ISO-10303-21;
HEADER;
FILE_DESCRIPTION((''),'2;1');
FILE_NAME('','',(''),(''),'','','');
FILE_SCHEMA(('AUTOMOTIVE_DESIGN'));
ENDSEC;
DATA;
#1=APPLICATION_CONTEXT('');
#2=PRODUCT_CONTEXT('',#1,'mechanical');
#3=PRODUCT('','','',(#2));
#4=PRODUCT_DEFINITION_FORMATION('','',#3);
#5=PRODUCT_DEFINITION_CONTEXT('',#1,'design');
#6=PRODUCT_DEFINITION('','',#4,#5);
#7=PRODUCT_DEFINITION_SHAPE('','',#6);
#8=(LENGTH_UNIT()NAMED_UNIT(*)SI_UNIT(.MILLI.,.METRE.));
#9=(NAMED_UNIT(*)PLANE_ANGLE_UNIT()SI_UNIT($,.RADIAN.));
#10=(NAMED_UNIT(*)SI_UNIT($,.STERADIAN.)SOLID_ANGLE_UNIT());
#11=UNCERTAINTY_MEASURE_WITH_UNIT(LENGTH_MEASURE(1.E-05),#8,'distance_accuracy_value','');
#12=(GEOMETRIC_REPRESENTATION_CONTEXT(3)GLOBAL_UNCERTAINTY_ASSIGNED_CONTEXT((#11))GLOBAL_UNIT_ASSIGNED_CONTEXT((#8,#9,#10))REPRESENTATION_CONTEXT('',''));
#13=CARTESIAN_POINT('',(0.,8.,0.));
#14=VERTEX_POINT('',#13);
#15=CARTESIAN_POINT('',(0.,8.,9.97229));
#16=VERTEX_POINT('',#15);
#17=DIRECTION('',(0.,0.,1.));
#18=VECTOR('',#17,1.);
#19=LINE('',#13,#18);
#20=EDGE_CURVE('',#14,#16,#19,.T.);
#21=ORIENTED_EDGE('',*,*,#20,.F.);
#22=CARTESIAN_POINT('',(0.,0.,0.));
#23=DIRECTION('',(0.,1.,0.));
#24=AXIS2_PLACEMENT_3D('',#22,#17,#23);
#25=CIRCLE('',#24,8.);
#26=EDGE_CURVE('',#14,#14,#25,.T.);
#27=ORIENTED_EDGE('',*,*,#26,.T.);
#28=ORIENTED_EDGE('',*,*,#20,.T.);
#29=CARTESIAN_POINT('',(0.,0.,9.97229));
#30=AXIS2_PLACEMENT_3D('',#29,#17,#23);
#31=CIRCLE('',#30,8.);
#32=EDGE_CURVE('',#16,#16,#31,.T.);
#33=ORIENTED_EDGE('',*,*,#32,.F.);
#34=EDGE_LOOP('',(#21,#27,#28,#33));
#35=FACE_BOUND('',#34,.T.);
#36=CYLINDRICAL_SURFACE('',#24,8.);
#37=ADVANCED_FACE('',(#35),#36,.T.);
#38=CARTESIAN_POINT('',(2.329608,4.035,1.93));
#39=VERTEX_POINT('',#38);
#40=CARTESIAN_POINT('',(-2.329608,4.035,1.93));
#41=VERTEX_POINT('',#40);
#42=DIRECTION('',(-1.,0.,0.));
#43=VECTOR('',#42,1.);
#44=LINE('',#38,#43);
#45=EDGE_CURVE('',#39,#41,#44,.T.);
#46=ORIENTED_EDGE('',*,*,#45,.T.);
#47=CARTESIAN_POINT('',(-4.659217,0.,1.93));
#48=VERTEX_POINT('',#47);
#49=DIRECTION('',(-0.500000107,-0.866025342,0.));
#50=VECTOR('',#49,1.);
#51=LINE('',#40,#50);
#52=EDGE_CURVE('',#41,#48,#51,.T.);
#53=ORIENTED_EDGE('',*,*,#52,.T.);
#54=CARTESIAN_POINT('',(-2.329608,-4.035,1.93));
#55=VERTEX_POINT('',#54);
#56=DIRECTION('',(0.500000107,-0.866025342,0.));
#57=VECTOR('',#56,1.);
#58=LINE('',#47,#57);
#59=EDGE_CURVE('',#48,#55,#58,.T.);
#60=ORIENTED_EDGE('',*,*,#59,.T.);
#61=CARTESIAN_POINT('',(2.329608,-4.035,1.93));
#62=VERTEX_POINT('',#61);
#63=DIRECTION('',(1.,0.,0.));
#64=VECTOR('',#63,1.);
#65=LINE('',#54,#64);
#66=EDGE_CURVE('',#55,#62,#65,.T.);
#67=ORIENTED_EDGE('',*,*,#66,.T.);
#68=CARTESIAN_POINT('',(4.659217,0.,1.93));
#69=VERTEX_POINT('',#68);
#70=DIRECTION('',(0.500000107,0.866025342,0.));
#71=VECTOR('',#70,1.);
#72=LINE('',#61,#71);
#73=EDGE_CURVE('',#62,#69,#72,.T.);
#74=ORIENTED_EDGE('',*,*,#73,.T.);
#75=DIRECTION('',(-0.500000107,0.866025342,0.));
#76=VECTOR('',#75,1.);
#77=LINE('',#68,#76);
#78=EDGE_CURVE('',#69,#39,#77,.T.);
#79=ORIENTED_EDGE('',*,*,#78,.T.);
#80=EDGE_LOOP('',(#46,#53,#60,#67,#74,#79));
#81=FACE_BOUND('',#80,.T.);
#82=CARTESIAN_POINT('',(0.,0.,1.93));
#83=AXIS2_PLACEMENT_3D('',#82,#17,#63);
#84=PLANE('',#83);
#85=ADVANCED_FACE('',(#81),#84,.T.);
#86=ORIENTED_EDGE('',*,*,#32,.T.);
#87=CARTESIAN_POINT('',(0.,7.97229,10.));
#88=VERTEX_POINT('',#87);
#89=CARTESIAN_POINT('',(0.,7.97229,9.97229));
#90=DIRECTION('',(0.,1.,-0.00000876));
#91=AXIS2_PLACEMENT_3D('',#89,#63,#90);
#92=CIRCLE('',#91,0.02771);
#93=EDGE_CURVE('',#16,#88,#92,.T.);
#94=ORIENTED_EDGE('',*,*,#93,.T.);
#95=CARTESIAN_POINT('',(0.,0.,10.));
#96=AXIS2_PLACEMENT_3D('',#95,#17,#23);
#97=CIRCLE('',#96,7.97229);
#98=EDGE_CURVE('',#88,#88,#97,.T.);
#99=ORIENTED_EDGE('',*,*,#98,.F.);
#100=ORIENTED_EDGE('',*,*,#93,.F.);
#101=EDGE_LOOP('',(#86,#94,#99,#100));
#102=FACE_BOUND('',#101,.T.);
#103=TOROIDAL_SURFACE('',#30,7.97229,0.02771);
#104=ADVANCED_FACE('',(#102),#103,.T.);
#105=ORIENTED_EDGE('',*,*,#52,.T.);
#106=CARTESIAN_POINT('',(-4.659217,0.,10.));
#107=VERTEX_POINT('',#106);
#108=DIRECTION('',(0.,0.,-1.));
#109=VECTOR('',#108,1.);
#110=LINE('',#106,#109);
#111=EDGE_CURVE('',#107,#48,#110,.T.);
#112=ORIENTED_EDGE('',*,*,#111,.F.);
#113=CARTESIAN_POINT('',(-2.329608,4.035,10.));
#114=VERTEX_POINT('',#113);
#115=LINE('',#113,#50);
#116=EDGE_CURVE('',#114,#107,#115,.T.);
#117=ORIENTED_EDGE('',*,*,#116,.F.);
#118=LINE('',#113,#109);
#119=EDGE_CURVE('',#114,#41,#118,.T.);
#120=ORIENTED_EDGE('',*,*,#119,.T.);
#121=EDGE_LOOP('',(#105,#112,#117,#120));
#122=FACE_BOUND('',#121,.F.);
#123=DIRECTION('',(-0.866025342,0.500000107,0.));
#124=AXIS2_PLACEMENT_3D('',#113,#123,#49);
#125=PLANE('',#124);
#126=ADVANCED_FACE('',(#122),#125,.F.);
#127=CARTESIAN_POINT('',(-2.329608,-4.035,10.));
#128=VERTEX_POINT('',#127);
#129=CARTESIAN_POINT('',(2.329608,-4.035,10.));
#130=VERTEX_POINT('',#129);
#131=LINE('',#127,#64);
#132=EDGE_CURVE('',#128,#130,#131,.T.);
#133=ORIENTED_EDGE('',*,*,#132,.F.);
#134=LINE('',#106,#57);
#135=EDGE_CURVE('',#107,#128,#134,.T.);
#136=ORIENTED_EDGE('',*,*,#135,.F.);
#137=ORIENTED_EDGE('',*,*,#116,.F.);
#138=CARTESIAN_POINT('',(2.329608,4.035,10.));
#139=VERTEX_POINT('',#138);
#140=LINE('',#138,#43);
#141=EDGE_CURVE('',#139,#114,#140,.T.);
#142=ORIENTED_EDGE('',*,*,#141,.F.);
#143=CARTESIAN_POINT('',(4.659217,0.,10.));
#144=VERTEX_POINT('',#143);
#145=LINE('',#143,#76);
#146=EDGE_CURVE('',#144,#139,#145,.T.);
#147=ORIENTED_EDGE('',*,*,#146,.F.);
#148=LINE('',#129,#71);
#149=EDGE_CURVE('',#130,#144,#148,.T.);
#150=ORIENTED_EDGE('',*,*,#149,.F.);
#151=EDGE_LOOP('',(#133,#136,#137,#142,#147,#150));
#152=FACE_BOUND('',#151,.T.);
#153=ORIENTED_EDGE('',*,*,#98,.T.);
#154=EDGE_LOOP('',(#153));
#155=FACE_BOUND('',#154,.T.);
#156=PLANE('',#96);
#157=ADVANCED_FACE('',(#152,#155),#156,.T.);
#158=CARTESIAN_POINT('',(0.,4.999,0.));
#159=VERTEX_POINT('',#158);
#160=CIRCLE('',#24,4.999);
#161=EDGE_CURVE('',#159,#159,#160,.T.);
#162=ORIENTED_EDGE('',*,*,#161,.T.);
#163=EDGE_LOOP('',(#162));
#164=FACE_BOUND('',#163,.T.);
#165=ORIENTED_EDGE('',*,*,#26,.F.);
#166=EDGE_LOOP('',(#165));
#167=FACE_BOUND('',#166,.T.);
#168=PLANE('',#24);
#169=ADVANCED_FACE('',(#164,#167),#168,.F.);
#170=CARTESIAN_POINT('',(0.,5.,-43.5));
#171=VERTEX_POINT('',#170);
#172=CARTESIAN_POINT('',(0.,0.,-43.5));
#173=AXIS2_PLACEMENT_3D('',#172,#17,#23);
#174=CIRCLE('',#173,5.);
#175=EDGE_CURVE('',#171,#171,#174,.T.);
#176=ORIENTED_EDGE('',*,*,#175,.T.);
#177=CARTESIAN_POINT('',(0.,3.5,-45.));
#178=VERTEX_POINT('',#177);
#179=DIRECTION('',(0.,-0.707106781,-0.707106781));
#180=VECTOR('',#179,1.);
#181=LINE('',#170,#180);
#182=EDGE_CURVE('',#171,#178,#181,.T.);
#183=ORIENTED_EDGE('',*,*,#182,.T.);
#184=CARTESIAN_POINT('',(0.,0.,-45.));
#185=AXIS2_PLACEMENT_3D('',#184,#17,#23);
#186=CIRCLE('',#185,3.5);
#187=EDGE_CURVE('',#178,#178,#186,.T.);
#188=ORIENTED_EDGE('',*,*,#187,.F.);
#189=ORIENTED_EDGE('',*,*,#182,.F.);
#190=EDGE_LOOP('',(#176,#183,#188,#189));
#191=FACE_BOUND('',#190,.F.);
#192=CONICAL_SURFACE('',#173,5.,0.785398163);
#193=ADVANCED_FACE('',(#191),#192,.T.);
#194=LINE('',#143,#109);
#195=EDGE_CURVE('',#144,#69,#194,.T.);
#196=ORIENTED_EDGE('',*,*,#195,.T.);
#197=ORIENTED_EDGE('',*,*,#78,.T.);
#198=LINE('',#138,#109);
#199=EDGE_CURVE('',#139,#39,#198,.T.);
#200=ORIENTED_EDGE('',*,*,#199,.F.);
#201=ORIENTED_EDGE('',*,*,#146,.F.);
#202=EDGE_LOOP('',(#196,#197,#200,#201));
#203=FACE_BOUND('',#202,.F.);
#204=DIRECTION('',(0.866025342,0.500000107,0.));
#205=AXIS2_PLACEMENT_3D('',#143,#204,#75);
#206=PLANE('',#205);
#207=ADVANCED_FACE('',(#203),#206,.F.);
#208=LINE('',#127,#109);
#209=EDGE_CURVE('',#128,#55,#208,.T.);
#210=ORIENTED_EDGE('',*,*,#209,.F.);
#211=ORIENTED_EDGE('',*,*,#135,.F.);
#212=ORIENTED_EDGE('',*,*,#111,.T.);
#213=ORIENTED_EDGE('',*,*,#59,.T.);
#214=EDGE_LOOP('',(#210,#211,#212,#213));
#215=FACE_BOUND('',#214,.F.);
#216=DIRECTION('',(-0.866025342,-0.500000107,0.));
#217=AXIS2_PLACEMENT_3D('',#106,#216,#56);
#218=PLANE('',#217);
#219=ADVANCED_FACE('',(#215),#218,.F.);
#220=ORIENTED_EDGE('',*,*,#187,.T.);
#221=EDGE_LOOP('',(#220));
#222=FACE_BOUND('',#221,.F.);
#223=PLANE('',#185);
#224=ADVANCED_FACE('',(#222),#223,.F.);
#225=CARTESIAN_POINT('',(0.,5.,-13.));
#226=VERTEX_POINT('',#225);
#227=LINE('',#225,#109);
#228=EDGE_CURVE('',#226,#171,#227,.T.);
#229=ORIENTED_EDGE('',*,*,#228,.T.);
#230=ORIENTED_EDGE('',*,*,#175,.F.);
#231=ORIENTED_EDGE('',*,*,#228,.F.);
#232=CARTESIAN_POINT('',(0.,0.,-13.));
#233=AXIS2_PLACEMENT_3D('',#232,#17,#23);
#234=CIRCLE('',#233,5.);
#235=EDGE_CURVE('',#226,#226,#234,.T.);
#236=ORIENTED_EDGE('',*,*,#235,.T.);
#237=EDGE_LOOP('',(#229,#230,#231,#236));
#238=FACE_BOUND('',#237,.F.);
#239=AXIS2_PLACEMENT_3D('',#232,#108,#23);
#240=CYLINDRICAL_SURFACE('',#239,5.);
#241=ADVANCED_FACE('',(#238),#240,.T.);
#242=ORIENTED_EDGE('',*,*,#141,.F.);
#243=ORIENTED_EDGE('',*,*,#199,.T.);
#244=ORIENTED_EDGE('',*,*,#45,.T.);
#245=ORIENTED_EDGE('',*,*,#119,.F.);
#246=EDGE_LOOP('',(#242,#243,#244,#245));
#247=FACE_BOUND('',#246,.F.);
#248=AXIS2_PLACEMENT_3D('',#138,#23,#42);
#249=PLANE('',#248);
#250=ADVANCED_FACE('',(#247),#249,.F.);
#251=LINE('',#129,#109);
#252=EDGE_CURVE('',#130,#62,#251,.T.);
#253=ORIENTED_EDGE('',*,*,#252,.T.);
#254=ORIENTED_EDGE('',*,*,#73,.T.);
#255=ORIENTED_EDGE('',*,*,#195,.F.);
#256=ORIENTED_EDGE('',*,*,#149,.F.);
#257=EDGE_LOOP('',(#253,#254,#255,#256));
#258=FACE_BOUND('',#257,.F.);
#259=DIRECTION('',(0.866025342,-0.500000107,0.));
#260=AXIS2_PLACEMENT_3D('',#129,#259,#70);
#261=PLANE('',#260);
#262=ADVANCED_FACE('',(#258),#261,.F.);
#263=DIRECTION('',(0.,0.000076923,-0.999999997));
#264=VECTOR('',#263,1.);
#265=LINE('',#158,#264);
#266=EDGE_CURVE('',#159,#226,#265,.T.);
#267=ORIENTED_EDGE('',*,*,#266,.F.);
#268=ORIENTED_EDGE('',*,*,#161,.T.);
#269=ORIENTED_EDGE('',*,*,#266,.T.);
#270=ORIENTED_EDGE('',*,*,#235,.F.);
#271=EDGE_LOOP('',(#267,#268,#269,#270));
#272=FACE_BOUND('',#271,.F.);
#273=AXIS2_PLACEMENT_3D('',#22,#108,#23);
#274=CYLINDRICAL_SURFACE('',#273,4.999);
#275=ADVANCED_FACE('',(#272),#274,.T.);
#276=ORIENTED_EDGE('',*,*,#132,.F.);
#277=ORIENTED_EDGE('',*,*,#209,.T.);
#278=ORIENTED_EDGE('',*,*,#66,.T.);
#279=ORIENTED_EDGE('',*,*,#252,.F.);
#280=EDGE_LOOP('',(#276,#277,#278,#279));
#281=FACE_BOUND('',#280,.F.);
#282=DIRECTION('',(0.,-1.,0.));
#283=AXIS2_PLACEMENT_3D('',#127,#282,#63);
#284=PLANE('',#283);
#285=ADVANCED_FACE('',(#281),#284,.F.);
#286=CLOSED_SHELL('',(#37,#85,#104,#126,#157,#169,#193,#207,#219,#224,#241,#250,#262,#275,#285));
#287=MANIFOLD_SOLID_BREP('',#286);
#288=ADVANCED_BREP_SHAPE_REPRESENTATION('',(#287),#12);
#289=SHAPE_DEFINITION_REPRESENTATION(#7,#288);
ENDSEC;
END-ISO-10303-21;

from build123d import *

# Parameters (mm, degrees)
POCKET_DEPTH = 8.07


with BuildPart() as part:
    # Sketch → Revolve (revolve)
    with BuildSketch(Plane.YZ):
        with BuildLine():
            Line((4.999, 0), (8, 0))
            Line((8, 0), (8, 9.97229))
            ThreePointArc((8, 9.97229), (7.991884, 9.991884), (7.97229, 10))
            Line((7.97229, 10), (0, 10))
            Line((0, -45), (0, 10))
            Line((3.5, -45), (0, -45))
            Line((5, -43.5), (3.5, -45))
            Line((5, -13), (5, -43.5))
            Line((4.999, 0), (5, -13))
        make_face()
    revolve(axis=Axis((0, 0, 0), (0, 0, 1)))

    # Sketch001 → Pocket (cut)
    with BuildSketch(Plane.XY.offset(10)):
        Polygon((4.659217, 0), (2.329608, 4.035), (-2.329608, 4.035), (-4.659217, 0), (-2.329608, -4.035), (2.329608, -4.035), align=None)
    extrude(amount=-POCKET_DEPTH, mode=Mode.SUBTRACT)


solid = part.part
